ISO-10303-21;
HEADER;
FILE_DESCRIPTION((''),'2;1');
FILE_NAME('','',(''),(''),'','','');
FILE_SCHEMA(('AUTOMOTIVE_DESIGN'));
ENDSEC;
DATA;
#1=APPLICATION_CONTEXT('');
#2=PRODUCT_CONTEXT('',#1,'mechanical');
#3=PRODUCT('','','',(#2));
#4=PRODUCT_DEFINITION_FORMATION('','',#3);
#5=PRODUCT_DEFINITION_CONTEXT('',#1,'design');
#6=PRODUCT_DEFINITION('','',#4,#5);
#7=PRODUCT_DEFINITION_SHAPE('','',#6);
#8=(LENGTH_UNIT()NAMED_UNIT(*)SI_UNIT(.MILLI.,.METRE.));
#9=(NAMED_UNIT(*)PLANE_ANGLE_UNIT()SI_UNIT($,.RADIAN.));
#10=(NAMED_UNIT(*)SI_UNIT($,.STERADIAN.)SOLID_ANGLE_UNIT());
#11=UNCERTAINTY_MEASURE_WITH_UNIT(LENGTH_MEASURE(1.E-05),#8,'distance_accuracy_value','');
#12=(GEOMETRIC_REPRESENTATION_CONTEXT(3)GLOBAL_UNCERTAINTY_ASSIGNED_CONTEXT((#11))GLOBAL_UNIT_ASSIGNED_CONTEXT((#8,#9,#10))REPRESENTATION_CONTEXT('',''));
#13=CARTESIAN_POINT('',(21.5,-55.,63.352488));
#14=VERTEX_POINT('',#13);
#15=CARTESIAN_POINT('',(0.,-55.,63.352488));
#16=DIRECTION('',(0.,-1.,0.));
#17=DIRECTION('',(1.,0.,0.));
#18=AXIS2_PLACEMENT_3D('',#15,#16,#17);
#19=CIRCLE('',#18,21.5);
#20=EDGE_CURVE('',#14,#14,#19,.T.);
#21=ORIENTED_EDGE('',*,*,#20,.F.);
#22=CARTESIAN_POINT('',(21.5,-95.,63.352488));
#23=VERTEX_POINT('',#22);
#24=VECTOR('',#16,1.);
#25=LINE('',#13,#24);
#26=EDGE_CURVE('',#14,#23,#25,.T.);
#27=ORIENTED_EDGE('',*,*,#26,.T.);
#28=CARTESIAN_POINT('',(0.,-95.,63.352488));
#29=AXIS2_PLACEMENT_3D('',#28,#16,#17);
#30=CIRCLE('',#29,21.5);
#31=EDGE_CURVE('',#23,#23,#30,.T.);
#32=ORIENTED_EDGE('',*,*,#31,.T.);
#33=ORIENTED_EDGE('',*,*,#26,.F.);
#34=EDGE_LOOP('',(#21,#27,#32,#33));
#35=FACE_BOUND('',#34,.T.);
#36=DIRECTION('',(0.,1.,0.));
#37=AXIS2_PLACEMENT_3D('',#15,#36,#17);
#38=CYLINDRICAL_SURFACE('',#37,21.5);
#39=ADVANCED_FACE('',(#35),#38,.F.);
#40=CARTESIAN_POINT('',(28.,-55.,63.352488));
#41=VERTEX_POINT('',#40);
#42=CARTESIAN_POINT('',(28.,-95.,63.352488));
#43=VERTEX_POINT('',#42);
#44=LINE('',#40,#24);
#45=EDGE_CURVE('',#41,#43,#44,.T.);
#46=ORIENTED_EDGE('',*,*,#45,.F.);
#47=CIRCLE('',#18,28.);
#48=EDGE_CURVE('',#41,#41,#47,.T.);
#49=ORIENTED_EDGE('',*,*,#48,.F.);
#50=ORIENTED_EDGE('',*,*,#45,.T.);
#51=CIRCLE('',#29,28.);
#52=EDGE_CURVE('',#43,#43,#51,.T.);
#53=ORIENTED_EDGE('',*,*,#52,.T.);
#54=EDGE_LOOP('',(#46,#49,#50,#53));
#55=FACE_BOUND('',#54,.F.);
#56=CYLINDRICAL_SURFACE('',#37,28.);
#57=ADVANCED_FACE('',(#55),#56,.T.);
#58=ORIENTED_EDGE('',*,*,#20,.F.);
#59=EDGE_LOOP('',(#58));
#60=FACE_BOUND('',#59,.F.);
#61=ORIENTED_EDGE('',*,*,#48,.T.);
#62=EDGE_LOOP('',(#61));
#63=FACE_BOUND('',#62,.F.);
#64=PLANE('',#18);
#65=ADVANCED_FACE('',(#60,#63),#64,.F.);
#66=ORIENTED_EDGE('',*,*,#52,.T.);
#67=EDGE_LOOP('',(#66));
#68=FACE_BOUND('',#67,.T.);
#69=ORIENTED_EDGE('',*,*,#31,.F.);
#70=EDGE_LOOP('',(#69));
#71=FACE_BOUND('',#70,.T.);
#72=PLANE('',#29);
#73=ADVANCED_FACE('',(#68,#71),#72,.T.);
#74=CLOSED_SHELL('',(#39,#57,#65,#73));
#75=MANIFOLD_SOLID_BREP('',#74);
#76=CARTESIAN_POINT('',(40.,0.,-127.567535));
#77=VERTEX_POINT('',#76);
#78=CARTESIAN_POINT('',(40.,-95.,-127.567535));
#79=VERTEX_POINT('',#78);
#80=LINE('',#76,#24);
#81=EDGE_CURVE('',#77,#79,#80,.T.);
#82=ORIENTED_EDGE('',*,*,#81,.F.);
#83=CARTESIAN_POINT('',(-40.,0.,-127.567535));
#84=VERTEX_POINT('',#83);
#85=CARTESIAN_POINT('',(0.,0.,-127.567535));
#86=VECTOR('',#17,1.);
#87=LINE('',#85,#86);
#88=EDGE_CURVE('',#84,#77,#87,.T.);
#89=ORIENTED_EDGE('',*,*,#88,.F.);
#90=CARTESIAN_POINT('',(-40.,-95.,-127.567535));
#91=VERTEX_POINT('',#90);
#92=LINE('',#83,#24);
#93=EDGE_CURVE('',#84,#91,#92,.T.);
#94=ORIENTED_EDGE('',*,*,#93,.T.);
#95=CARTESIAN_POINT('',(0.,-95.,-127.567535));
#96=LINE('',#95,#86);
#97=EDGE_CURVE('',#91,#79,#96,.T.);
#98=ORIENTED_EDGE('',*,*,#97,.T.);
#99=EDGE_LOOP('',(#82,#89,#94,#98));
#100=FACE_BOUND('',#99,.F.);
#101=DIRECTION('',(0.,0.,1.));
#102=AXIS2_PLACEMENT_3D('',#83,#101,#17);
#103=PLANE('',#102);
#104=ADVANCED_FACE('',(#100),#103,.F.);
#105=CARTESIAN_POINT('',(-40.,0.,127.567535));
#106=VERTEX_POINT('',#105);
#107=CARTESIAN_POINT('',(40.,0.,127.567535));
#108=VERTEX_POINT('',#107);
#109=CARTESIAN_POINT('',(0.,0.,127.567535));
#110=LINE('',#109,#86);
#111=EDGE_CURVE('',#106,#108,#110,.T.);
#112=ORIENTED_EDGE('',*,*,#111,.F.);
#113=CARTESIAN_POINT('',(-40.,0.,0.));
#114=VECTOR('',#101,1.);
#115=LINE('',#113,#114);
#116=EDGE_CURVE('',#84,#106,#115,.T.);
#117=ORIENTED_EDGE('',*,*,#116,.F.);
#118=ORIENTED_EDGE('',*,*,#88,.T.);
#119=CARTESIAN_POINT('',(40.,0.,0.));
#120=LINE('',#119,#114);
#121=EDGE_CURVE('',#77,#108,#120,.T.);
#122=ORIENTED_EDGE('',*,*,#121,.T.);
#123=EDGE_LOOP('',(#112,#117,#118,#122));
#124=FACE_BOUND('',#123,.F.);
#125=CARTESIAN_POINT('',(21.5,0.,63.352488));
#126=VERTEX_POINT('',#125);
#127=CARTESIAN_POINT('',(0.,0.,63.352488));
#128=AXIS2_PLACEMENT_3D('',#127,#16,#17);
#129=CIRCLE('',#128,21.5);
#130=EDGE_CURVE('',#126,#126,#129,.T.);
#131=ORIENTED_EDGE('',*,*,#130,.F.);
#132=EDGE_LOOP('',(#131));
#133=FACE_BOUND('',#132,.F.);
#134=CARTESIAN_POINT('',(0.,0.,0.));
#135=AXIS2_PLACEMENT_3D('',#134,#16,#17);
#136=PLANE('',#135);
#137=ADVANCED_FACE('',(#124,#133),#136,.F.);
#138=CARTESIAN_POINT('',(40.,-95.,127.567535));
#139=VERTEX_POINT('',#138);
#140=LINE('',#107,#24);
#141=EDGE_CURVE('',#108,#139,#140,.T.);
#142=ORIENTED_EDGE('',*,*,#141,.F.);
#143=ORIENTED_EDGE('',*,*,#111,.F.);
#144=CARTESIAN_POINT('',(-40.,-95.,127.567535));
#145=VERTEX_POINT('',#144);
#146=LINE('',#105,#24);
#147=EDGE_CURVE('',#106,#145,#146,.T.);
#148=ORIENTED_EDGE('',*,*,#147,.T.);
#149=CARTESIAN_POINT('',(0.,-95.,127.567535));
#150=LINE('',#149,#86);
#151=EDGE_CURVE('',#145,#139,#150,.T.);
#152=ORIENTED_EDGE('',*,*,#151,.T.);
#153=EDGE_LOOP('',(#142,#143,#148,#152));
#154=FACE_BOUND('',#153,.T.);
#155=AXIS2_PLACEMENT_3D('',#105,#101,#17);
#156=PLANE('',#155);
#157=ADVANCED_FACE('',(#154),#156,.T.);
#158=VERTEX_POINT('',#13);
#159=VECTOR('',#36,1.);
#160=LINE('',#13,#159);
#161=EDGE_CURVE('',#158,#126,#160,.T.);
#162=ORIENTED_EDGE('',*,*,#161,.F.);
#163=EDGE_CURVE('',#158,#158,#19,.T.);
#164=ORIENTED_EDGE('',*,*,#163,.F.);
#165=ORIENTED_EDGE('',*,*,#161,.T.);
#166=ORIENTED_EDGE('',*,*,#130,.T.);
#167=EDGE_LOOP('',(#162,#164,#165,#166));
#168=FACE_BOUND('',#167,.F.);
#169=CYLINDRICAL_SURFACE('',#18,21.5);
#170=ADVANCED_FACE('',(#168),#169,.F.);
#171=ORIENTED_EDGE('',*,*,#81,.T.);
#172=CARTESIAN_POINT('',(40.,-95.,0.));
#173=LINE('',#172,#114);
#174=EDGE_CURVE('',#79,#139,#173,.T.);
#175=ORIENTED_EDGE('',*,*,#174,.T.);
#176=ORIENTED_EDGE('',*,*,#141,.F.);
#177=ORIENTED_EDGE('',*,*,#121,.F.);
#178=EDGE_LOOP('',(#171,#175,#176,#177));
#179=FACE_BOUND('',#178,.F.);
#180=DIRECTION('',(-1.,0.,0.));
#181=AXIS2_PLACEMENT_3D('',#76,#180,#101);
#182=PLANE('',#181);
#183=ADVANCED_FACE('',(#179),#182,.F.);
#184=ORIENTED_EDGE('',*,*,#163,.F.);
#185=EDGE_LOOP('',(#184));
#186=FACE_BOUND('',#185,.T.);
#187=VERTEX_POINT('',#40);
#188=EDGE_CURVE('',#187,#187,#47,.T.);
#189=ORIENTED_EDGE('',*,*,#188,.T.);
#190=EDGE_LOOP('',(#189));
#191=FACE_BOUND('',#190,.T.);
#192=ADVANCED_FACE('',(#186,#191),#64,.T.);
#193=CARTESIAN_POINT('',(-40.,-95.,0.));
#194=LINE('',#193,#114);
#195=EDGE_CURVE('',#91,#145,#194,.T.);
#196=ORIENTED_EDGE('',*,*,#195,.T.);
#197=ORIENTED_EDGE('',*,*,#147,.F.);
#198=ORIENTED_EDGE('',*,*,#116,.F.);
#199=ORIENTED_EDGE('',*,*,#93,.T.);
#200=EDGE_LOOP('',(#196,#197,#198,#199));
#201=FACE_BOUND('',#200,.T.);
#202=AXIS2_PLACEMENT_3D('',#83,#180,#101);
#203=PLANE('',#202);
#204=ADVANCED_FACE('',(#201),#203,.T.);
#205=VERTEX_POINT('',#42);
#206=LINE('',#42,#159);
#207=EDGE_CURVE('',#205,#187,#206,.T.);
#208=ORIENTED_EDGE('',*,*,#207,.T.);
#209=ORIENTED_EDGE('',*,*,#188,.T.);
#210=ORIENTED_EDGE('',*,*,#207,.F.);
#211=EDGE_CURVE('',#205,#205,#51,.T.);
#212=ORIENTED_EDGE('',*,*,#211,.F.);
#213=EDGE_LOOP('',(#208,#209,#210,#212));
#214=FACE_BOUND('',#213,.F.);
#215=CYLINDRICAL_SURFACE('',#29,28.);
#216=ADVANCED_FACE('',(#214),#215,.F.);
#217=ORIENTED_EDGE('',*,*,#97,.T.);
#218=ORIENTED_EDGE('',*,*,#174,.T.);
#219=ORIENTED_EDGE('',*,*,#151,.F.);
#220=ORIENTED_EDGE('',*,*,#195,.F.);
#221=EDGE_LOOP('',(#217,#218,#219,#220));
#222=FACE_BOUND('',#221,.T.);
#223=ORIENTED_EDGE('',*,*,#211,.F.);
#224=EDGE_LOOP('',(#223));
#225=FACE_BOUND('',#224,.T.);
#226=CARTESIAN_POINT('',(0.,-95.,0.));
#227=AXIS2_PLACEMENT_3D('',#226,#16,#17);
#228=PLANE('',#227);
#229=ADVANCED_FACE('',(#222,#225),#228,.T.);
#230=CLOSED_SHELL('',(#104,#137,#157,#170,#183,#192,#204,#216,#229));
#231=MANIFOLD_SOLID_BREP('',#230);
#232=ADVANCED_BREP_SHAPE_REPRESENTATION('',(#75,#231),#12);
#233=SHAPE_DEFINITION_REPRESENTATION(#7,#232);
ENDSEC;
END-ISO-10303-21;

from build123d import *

# Parameters (mm, degrees)
F0_W     = 80
F0_H     = 255.13507
F1_DEPTH = 95
F2_R     = 28
F3_DEPTH = 40
F4_R     = 21.5
F5_DEPTH = 55.001
F6_R     = 28
F6_R_2   = 21.5
F7_DEPTH = 40


with BuildPart() as f1:
    # F0 (on Front) → F1 (new body)
    with BuildSketch(Plane.XZ):
        Rectangle(F0_W, F0_H)
    extrude(amount=F1_DEPTH)

    # F2 (on face) → F3 (cut)
    with BuildSketch(Plane.XZ.offset(95)):
        with Locations((0, 63.352488)):
            Circle(F2_R)
    extrude(amount=-F3_DEPTH, mode=Mode.SUBTRACT)

    # F4 (on face) → F5 (cut, through all)
    with BuildSketch(Plane.XZ.offset(55)):
        with Locations((0, 63.352488)):
            Circle(F4_R)
    extrude(amount=-F5_DEPTH, mode=Mode.SUBTRACT)


with BuildPart() as f7:
    # F6 (on face) → F7 (new body)
    with BuildSketch(Plane.XZ.offset(55)):
        with Locations((0, 63.352488)):
            Circle(F6_R)
        with Locations((0, 63.352488)):
            Circle(F6_R_2, mode=Mode.SUBTRACT)
    extrude(amount=F7_DEPTH)


solid = Compound([f1.part, f7.part])
